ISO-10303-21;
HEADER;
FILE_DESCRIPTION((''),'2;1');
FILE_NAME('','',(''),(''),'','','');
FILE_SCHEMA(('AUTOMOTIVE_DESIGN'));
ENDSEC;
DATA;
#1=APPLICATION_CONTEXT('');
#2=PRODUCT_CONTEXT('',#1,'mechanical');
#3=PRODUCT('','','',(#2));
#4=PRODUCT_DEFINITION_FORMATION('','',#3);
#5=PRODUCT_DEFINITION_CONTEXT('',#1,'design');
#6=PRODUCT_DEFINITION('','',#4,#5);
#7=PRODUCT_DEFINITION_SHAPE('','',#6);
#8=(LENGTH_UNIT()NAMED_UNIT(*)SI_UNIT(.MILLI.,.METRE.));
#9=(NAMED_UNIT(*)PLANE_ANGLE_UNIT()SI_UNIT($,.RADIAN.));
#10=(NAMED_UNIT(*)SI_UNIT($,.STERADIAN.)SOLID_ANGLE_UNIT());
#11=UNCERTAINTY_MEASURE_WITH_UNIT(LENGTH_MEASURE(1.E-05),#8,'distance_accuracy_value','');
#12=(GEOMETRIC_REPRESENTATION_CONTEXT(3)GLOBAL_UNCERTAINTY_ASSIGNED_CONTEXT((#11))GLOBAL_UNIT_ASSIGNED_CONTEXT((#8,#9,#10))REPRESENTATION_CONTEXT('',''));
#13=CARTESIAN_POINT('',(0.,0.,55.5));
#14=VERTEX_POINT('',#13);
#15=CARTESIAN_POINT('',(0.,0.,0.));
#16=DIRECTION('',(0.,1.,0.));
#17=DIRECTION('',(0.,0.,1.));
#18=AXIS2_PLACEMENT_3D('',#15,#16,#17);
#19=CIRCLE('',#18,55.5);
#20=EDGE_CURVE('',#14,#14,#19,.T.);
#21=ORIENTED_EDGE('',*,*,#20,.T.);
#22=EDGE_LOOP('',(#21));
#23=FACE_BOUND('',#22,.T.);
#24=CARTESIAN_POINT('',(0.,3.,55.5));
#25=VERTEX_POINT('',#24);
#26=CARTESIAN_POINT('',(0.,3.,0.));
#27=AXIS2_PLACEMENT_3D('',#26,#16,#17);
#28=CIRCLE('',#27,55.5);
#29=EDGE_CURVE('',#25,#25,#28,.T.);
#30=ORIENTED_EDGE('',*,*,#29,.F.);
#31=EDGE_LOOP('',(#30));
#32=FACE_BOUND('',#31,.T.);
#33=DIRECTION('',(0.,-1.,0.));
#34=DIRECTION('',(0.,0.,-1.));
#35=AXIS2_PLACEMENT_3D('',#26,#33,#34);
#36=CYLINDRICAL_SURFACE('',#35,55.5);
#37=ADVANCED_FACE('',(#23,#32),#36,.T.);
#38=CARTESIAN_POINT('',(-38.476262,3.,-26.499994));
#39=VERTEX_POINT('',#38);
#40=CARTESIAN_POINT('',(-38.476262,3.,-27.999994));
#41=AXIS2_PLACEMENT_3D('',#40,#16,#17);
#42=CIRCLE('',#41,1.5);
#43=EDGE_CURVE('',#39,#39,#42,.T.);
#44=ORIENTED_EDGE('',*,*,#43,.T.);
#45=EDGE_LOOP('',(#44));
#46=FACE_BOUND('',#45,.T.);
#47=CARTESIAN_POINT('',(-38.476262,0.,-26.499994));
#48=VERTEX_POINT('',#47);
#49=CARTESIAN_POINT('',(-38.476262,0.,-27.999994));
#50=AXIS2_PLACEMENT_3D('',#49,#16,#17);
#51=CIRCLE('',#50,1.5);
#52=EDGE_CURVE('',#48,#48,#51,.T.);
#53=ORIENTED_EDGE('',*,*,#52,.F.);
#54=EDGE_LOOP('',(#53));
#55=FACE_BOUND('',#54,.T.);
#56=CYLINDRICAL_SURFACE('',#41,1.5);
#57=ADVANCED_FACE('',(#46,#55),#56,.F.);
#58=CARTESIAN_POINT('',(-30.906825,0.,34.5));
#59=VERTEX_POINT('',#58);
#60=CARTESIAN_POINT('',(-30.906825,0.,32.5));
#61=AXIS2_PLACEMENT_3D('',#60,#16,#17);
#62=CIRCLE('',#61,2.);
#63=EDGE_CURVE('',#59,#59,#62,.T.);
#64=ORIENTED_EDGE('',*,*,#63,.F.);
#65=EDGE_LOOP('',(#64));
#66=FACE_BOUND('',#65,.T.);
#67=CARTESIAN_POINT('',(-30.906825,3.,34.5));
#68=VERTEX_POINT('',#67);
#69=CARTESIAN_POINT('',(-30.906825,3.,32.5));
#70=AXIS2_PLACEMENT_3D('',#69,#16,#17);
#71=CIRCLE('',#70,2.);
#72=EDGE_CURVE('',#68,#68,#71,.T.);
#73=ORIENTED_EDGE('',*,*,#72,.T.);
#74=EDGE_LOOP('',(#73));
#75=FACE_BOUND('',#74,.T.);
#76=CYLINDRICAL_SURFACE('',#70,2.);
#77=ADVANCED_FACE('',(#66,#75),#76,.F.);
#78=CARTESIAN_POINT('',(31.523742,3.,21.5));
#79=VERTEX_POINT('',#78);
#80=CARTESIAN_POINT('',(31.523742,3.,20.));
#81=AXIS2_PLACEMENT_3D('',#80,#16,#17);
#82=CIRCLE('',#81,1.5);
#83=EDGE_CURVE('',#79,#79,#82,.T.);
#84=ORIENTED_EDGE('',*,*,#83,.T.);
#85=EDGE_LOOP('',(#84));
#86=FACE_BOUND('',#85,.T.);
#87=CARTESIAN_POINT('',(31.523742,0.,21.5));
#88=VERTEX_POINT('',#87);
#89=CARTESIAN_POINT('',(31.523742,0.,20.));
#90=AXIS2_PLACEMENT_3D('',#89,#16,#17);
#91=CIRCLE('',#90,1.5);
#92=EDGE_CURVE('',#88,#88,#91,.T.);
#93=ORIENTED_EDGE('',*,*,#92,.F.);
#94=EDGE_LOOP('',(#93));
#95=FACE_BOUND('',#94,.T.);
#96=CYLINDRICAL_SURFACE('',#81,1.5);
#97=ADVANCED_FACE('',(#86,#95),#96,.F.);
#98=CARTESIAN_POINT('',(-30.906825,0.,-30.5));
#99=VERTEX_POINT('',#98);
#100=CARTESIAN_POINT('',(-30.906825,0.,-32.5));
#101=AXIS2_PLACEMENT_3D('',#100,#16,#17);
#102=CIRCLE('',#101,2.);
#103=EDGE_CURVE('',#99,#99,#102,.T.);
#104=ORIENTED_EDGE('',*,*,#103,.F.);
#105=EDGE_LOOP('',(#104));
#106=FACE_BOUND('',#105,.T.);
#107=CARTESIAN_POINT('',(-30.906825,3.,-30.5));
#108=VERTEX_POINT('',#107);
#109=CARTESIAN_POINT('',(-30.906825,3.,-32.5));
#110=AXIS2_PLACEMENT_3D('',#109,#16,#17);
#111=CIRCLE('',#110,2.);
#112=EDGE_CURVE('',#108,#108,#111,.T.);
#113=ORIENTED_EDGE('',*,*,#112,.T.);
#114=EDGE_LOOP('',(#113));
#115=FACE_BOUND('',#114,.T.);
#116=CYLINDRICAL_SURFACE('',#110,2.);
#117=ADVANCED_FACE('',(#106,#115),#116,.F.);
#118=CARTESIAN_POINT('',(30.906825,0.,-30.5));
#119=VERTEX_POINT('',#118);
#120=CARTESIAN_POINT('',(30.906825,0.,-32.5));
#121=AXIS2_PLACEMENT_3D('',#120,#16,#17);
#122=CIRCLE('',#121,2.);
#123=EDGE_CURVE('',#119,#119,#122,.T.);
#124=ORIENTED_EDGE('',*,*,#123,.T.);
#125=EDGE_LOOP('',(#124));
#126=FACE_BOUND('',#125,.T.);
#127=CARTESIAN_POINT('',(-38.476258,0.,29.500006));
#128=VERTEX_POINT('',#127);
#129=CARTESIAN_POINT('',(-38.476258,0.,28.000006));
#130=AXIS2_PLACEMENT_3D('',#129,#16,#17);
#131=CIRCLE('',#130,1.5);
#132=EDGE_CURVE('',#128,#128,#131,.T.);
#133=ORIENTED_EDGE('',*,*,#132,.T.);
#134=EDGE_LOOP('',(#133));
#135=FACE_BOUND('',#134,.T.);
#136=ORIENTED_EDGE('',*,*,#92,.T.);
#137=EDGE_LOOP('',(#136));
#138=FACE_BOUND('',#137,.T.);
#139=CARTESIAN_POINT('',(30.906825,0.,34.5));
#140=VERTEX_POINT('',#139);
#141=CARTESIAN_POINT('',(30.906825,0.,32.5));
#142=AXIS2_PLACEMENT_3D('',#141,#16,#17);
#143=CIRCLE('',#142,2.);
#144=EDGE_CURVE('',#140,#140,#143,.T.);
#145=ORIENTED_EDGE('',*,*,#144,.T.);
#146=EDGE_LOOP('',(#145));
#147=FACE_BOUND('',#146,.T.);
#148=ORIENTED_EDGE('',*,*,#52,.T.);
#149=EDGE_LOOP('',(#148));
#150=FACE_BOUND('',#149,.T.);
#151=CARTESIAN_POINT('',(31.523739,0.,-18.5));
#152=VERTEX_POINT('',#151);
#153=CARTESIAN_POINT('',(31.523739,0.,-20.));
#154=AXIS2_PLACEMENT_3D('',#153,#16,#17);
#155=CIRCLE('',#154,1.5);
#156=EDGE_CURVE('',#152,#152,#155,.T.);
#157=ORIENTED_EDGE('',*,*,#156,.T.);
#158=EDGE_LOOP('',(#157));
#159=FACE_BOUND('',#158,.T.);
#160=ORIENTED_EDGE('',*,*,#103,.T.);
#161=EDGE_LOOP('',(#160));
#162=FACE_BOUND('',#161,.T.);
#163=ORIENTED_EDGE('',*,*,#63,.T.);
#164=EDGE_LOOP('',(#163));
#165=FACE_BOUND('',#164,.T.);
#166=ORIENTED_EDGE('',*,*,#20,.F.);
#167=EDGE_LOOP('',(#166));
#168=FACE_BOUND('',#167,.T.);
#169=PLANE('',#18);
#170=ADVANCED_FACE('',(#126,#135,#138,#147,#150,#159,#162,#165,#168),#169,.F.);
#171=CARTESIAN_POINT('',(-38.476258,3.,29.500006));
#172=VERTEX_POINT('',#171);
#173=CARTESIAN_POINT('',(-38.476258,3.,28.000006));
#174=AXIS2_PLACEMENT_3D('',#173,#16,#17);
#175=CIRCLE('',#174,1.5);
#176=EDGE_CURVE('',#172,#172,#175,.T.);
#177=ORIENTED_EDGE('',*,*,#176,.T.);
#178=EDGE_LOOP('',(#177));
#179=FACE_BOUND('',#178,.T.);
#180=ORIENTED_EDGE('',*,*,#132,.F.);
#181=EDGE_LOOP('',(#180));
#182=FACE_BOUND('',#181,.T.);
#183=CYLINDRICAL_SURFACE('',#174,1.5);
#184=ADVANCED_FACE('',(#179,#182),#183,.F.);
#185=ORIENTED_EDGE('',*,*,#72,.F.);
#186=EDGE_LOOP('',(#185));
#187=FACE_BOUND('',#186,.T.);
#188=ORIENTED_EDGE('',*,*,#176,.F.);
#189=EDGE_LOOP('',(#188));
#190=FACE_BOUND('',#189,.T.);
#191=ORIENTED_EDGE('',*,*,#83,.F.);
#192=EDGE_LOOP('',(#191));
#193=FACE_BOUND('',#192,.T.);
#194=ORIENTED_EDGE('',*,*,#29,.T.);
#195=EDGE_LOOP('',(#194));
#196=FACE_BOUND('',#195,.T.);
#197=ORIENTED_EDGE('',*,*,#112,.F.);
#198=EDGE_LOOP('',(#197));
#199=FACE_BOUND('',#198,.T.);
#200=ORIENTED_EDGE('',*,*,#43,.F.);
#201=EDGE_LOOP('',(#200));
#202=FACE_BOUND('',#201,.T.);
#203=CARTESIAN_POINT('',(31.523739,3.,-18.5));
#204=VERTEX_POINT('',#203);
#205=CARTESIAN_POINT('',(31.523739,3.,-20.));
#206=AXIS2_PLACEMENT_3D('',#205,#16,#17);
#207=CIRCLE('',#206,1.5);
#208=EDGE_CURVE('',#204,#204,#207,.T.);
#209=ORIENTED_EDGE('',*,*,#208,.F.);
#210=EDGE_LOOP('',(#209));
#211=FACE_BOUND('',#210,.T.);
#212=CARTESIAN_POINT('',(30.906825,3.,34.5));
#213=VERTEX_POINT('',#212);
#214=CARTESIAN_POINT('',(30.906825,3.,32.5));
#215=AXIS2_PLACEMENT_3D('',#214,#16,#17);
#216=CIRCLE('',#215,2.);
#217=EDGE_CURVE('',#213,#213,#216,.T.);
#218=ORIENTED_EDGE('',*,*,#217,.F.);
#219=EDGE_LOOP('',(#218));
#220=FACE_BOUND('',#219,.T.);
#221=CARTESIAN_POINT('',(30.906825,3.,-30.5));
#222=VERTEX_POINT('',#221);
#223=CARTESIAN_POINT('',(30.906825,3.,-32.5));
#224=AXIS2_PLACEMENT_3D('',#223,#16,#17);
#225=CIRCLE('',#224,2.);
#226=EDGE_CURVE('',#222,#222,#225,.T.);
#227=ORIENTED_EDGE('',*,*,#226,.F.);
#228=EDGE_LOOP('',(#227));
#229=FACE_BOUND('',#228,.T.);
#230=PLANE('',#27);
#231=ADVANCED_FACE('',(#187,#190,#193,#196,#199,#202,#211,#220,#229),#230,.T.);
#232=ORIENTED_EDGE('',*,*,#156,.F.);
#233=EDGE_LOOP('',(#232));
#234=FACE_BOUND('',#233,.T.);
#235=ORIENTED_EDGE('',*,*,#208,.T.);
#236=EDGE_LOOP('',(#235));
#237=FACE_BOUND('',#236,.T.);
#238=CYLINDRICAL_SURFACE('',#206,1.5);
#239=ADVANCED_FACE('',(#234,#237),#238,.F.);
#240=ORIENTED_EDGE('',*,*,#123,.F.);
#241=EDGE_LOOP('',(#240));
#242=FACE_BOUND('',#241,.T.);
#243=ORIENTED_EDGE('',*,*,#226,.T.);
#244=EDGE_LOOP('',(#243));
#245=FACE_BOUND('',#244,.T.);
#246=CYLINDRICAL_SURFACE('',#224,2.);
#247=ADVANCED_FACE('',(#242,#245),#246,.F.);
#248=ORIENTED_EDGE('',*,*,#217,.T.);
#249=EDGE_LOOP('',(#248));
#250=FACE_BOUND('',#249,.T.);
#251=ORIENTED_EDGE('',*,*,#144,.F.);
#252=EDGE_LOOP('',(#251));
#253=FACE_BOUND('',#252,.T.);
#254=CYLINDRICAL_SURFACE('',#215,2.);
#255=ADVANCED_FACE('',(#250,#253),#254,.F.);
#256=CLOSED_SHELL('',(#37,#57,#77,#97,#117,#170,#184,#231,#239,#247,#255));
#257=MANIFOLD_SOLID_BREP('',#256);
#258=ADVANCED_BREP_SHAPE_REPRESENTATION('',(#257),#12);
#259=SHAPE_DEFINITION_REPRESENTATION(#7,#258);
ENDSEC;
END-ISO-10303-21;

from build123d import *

# Parameters (mm, degrees)
SKETCH7_R                              = 55.5
BOSS_EXTRUDE1_DEPTH                    = 3
F_3_0MM_TRANSITIONAL_DOWEL_HOLE1_D     = 3
F_3_0MM_TRANSITIONAL_DOWEL_HOLE1_DEPTH = 25.4
F_3_0MM_TRANSITIONAL_DOWEL_HOLE1_TIP   = 0.901290929
F_4_0MM_DOWEL_HOLE1_D                  = 4
F_4_0MM_DOWEL_HOLE1_DEPTH              = 25.4
F_4_0MM_DOWEL_HOLE1_TIP                = 1.201721238


with BuildPart() as part:
    # Sketch7 → Boss-Extrude1 (new body)
    with BuildSketch(Plane(origin=(0, 0, 0), x_dir=(1, 0, 0), z_dir=(0, 1, 0))):
        with Locations(Location((0, 0, 0), (0, 0, 270))):
            Circle(SKETCH7_R)
    extrude(amount=BOSS_EXTRUDE1_DEPTH)

    # Ø3.0mm Transitional Dowel Hole1
    with Locations(Plane(origin=(0, 3, 0), x_dir=(1, 0, 0), z_dir=(0, 1, 0))):
        with Locations((-38.476262074, 27.999994228), (31.523738554, 19.999999725), (31.523741695, -20.000000275), (-38.476257677, -28.000005772)):
            Hole(F_3_0MM_TRANSITIONAL_DOWEL_HOLE1_D / 2, depth=F_3_0MM_TRANSITIONAL_DOWEL_HOLE1_DEPTH)
            with Locations((0, 0, -(F_3_0MM_TRANSITIONAL_DOWEL_HOLE1_DEPTH + F_3_0MM_TRANSITIONAL_DOWEL_HOLE1_TIP / 2))):  # 118° drill point
                Cone(0, F_3_0MM_TRANSITIONAL_DOWEL_HOLE1_D / 2, F_3_0MM_TRANSITIONAL_DOWEL_HOLE1_TIP, mode=Mode.SUBTRACT)

    # Ø4.0mm Dowel Hole1
    with Locations(Plane(origin=(0, 3, 0), x_dir=(1, 0, 0), z_dir=(0, 1, 0))):
        with Locations((-30.906824904, 32.5), (30.906824904, 32.5), (30.906824904, -32.5), (-30.906824904, -32.5)):
            Hole(F_4_0MM_DOWEL_HOLE1_D / 2, depth=F_4_0MM_DOWEL_HOLE1_DEPTH)
            with Locations((0, 0, -(F_4_0MM_DOWEL_HOLE1_DEPTH + F_4_0MM_DOWEL_HOLE1_TIP / 2))):  # 118° drill point
                Cone(0, F_4_0MM_DOWEL_HOLE1_D / 2, F_4_0MM_DOWEL_HOLE1_TIP, mode=Mode.SUBTRACT)


solid = part.part
